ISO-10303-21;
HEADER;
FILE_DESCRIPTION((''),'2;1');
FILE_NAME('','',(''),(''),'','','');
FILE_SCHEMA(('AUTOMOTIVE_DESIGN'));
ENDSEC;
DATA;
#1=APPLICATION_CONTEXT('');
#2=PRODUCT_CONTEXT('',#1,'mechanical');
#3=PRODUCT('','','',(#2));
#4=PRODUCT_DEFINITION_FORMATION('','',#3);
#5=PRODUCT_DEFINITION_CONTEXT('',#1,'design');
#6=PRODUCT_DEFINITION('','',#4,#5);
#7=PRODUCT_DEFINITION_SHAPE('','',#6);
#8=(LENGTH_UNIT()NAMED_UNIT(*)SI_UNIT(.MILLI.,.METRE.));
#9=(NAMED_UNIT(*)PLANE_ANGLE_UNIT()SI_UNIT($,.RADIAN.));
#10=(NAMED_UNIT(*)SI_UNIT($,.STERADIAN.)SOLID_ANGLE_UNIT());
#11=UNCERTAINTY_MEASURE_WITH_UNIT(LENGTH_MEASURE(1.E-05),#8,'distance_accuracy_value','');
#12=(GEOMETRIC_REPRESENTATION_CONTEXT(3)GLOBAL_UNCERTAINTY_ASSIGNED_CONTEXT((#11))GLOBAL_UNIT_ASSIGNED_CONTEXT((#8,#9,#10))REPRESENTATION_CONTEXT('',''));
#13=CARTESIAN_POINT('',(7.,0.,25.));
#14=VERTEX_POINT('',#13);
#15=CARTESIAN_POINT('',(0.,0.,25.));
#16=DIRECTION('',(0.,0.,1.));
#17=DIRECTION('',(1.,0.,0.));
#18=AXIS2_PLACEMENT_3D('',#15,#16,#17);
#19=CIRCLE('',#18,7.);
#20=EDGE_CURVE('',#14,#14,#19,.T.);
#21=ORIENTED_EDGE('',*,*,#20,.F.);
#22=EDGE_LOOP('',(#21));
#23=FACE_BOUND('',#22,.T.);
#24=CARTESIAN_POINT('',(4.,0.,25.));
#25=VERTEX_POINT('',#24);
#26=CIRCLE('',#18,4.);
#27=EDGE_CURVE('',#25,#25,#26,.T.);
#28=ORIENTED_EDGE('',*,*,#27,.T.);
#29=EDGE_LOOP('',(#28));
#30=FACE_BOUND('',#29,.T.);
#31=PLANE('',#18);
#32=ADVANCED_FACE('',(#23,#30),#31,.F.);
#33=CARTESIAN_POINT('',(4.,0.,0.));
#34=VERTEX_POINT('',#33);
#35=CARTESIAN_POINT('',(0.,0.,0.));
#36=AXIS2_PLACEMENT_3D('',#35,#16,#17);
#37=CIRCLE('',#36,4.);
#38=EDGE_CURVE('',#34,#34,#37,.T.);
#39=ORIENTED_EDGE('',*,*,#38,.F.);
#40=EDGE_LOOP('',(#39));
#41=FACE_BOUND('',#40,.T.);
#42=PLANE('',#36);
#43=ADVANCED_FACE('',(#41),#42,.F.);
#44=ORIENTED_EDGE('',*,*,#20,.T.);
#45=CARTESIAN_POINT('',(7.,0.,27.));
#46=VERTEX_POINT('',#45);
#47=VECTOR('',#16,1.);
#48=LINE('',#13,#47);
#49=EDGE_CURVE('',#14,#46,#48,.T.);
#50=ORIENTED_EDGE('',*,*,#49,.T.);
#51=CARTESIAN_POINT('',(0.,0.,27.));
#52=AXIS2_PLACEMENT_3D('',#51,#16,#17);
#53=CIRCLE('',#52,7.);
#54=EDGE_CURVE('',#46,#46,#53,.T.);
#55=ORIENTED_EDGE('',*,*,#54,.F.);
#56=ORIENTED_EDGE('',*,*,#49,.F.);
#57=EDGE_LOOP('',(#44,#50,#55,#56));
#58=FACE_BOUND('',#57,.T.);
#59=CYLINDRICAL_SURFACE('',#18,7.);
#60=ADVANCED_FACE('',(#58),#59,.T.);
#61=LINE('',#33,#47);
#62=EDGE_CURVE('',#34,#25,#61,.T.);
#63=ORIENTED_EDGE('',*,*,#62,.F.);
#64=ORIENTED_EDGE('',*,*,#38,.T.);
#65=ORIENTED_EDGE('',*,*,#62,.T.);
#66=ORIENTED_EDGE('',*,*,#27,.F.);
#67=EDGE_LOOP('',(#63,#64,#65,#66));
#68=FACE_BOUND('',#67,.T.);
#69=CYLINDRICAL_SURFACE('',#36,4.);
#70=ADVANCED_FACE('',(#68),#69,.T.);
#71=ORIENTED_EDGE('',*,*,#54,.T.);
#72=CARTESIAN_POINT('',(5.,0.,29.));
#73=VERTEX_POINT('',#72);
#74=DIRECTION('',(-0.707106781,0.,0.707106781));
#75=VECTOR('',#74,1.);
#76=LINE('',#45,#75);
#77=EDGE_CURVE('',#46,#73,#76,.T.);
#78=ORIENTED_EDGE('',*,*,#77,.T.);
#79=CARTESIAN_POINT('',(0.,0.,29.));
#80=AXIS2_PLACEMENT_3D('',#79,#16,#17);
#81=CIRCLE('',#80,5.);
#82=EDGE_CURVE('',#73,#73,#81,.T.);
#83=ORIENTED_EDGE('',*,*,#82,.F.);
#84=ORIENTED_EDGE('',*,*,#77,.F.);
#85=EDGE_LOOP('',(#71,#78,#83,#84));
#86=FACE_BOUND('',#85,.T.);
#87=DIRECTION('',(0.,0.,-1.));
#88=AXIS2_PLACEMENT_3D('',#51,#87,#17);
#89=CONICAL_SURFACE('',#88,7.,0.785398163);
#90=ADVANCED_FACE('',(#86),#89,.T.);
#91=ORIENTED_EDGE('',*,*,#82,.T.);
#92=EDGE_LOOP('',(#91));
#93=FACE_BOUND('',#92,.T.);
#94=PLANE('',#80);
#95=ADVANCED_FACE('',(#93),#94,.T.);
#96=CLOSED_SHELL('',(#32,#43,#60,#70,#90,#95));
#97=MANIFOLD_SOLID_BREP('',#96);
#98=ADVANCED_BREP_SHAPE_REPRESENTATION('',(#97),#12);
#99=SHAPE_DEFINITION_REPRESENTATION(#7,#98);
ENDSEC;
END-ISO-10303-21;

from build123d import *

# Parameters (mm, degrees)
F2_SIZE = 2


with BuildPart() as f1:
    # F0 (on Front) → F1 (revolve)
    with BuildSketch(Plane.XZ):
        Polygon((0, 29), (0, 0), (4, 0), (4, 25), (7, 25), (7, 29), align=None)
    revolve(axis=Axis((0, 0, 17.5), (0, 0, 1)))

    # F2
    f2_edges = [f1.edges().sort_by_distance(p)[0] for p in [
        (-7, 0, 29),
    ]]
    chamfer(f2_edges, length=F2_SIZE)


solid = f1.part
